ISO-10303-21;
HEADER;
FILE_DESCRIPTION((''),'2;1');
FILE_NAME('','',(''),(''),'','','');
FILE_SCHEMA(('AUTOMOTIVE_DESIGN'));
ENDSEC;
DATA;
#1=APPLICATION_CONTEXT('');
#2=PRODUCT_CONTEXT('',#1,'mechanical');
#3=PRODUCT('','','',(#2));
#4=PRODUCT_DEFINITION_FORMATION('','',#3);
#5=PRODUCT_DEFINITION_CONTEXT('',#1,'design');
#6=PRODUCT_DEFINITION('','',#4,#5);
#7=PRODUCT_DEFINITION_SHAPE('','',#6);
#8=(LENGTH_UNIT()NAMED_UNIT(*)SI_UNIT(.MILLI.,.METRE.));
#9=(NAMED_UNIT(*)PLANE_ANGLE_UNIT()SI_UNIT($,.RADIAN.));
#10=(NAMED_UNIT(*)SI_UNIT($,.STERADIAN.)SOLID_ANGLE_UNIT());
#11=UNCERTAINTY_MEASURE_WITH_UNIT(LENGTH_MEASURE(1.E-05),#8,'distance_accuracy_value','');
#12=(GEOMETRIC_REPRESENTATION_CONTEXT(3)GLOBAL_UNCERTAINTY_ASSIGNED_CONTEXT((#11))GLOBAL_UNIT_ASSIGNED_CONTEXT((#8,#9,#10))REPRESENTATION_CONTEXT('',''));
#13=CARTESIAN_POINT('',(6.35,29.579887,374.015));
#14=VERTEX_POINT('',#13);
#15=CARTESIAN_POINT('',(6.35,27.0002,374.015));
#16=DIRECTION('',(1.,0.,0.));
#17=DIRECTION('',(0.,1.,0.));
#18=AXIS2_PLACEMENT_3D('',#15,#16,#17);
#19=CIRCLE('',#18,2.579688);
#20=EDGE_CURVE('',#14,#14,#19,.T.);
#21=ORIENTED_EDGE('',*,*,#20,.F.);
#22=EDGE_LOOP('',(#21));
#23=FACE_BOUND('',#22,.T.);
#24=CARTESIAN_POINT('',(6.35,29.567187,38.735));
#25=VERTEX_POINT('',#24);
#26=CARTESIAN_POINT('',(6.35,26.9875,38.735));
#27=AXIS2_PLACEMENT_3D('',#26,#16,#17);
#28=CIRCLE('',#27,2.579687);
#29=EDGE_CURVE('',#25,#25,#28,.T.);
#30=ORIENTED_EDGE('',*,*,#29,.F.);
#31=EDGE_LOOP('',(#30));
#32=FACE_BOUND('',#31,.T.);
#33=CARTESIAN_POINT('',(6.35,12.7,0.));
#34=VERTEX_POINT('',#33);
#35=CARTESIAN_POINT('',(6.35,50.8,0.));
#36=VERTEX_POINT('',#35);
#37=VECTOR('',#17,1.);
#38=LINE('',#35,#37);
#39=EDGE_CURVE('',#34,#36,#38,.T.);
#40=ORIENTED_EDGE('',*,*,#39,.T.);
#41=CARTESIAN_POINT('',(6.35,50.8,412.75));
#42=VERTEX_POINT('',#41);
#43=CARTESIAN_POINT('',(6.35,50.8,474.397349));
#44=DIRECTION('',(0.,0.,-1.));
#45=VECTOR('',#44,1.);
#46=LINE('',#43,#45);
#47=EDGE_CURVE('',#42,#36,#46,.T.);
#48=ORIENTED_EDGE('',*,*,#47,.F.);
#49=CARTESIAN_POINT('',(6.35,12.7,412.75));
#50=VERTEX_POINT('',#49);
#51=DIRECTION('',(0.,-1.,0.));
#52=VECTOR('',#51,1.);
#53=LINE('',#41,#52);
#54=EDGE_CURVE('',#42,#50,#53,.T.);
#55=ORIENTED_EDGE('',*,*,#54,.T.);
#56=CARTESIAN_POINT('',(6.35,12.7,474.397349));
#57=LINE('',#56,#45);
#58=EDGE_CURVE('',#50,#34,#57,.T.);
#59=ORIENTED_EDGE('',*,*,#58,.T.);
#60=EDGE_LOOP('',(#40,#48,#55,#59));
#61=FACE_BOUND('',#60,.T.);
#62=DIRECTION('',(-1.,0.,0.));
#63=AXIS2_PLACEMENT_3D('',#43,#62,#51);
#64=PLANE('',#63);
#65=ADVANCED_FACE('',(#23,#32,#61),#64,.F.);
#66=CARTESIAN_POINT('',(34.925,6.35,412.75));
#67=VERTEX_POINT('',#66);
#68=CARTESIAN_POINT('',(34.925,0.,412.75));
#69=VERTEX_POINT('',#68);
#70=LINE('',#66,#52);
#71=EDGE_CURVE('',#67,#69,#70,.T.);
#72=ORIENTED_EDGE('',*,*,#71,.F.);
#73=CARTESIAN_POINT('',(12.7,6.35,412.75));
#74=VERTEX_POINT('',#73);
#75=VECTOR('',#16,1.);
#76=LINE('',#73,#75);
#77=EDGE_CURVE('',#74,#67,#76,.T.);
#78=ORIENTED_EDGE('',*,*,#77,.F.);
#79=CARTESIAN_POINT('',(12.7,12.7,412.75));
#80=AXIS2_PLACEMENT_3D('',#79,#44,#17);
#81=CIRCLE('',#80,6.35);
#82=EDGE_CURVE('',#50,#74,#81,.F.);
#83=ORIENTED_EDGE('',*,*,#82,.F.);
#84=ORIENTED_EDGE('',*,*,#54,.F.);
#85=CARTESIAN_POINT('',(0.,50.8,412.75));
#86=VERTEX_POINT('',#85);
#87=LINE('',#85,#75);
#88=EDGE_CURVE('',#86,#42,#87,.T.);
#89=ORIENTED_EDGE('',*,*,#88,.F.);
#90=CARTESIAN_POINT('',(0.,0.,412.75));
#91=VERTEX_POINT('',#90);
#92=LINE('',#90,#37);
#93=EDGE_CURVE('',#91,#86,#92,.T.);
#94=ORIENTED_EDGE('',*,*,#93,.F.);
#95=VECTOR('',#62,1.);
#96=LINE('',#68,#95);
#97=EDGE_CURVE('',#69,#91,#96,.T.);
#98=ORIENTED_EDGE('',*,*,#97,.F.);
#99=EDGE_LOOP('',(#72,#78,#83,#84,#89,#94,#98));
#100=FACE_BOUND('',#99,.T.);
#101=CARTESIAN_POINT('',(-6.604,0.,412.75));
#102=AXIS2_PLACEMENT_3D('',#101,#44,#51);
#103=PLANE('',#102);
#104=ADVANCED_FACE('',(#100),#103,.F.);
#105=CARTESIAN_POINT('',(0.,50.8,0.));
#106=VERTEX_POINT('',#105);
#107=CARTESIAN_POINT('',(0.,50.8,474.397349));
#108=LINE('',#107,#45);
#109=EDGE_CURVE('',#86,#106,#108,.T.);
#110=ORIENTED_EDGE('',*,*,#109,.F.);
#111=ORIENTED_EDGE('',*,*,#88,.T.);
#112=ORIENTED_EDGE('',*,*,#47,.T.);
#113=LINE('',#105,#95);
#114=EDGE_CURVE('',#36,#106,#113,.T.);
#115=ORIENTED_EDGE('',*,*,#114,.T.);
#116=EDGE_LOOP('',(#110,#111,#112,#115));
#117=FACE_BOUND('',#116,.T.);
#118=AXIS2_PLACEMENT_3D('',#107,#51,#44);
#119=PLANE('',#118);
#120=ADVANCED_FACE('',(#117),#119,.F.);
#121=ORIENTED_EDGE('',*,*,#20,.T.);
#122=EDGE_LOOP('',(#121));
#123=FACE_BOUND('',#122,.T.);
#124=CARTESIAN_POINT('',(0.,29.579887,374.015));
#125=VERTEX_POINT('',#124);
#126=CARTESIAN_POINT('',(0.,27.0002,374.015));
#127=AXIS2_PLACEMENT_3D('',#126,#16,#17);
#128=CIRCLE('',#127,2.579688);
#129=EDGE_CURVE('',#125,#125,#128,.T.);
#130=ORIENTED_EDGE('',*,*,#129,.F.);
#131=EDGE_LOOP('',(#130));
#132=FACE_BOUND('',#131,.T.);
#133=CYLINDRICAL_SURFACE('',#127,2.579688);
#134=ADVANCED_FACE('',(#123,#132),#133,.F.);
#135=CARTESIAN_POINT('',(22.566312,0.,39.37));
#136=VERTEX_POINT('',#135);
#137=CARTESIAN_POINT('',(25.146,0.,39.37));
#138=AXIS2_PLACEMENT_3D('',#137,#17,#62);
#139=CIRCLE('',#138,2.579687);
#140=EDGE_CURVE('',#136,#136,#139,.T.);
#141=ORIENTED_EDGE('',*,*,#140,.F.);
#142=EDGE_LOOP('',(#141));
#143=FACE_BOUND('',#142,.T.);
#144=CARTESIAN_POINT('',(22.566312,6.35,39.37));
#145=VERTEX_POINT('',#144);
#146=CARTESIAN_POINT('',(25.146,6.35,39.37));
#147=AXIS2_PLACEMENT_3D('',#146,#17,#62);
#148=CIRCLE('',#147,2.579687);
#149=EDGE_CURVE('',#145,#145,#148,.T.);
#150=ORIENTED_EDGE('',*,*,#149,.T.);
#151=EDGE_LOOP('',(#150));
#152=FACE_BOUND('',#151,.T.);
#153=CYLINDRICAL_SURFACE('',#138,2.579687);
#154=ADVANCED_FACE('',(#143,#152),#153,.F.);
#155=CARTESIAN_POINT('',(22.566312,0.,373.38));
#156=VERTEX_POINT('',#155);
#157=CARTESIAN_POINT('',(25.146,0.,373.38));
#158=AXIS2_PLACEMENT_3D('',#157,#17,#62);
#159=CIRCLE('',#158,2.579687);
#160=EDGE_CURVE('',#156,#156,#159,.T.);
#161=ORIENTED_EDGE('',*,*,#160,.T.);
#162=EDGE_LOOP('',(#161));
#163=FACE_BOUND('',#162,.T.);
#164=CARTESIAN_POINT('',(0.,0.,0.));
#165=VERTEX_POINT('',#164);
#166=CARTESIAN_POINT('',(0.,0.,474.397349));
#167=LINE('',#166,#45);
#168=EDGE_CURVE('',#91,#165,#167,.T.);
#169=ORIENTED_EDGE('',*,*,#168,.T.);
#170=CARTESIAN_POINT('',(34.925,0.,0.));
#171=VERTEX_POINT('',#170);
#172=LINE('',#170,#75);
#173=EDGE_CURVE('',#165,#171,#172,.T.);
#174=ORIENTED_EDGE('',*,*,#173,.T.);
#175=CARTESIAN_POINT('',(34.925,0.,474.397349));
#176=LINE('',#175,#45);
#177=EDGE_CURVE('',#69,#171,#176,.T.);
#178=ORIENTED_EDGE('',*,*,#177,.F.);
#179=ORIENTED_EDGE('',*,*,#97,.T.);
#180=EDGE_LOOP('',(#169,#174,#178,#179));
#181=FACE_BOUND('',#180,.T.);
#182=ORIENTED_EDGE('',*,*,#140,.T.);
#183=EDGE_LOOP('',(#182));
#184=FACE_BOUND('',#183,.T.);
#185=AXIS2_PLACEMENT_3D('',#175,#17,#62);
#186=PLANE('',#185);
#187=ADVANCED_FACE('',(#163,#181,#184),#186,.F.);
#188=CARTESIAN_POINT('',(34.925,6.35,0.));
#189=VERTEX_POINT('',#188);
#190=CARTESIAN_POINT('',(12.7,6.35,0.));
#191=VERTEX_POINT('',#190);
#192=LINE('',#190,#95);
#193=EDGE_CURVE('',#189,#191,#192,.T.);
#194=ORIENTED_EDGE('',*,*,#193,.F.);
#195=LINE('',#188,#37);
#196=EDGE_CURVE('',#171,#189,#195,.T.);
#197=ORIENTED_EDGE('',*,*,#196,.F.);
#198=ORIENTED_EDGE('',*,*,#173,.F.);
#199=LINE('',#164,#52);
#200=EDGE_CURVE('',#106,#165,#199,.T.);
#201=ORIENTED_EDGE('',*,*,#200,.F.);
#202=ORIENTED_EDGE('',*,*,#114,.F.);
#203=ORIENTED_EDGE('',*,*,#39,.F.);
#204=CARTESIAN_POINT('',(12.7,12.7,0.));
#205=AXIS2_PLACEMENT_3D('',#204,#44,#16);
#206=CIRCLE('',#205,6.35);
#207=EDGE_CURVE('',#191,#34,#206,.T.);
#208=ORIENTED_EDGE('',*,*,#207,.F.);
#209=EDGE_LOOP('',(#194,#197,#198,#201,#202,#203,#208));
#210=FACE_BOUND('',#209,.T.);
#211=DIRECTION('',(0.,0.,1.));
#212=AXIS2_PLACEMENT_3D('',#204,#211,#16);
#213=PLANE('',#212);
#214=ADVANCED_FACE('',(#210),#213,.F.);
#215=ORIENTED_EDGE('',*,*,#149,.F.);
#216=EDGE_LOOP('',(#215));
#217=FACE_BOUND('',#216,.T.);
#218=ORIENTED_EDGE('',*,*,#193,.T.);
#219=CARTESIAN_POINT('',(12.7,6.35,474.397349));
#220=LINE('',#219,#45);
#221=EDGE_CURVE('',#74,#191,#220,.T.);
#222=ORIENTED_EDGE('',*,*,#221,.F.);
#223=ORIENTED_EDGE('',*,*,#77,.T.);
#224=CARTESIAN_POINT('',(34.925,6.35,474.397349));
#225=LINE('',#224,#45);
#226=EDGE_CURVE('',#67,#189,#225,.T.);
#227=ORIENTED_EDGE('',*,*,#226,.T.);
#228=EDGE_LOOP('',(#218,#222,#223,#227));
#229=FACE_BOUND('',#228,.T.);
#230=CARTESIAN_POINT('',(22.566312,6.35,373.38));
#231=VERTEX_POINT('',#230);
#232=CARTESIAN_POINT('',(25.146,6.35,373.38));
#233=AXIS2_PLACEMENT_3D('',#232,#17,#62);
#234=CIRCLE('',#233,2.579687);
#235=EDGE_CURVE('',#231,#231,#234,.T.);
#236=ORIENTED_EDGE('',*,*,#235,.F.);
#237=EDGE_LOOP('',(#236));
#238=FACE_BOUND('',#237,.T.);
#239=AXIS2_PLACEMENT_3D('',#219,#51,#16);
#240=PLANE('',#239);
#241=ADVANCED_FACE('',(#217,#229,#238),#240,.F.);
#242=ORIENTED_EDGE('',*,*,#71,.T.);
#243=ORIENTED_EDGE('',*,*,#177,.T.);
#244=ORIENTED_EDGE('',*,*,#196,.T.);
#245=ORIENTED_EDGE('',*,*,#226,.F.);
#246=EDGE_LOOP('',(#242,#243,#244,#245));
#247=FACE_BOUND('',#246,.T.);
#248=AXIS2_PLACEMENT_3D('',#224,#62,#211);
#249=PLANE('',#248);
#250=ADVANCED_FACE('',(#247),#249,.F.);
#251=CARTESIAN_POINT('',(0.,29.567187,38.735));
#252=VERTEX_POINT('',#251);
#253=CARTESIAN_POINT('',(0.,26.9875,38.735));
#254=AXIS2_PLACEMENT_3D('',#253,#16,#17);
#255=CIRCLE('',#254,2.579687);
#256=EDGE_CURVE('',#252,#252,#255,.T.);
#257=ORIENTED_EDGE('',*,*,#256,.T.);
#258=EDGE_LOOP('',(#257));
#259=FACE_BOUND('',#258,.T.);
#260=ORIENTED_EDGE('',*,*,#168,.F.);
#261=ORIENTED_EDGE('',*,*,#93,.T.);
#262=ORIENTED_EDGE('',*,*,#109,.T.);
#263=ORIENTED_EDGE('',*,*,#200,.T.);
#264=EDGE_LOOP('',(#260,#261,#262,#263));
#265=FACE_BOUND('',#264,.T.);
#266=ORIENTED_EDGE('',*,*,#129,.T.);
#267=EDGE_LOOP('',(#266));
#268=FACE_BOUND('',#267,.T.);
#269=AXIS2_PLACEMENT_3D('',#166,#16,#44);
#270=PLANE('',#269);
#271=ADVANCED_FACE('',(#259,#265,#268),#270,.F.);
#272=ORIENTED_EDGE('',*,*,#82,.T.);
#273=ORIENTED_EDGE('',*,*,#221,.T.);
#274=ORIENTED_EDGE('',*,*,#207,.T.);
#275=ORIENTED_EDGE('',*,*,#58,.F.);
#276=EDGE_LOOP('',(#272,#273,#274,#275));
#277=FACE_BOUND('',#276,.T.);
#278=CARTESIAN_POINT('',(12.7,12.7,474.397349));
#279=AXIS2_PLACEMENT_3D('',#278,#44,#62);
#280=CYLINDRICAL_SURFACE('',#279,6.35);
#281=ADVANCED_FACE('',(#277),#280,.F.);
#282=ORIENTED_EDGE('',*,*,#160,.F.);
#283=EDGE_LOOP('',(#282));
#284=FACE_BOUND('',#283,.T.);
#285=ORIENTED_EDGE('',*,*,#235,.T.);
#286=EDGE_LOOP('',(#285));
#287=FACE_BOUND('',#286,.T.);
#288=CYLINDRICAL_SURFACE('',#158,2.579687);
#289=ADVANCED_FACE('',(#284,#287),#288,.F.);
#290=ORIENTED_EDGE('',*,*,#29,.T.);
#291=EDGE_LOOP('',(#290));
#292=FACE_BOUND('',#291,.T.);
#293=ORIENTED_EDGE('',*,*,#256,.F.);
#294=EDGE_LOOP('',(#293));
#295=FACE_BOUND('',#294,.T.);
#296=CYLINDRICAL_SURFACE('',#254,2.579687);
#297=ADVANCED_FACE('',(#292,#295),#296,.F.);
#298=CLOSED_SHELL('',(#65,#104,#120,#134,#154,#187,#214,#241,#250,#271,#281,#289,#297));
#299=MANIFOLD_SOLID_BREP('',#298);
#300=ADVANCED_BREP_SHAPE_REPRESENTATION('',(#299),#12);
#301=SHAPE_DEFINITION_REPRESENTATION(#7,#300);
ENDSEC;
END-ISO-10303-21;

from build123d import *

# Parameters (mm, degrees)
BOSS_EXTRUDE1_DEPTH = 412.75
SKETCH2_R           = 2.5796875
CUT_EXTRUDE1_DEPTH  = 417.844974931
SKETCH3_R           = 2.5796875
CUT_EXTRUDE2_DEPTH  = 417.60307323


with BuildPart() as part:
    # Sketch1 → Boss-Extrude1 (new body)
    with BuildSketch(Plane.XY):
        with BuildLine():
            Line((0, 0), (0, 50.8))
            Line((0, 50.8), (6.35, 50.8))
            Line((6.35, 50.8), (6.35, 12.7))
            ThreePointArc((6.35, 12.7), (8.209871939, 8.209871939), (12.7, 6.35))
            Line((12.7, 6.35), (34.925, 6.35))
            Line((34.925, 6.35), (34.925, 0))
            Line((34.925, 0), (0, 0))
        make_face()
    extrude(amount=BOSS_EXTRUDE1_DEPTH)

    # Sketch2 → Cut-Extrude1 (cut, through all)
    with BuildSketch(Plane(origin=(6.35, 0, 0), x_dir=(0, 0, -1), z_dir=(1, 0, 0))):
        with Locations(Location((-374.015, 27.0002, 0), (0, 0, 90))):
            Circle(SKETCH2_R)
        with Locations(Location((-38.735, 26.9875, 0), (0, 0, 90))):
            Circle(SKETCH2_R)
    extrude(amount=-CUT_EXTRUDE1_DEPTH, mode=Mode.SUBTRACT)

    # Sketch3 → Cut-Extrude2 (cut, through all)
    with BuildSketch(Plane(origin=(0, 6.35, 0), x_dir=(1, 0, 0), z_dir=(0, 1, 0))):
        with Locations(Location((25.146, -373.38, 0), (0, 0, 180))):
            Circle(SKETCH3_R)
        with Locations(Location((25.146, -39.37, 0), (0, 0, 180))):
            Circle(SKETCH3_R)
    extrude(amount=-CUT_EXTRUDE2_DEPTH, mode=Mode.SUBTRACT)


solid = part.part
